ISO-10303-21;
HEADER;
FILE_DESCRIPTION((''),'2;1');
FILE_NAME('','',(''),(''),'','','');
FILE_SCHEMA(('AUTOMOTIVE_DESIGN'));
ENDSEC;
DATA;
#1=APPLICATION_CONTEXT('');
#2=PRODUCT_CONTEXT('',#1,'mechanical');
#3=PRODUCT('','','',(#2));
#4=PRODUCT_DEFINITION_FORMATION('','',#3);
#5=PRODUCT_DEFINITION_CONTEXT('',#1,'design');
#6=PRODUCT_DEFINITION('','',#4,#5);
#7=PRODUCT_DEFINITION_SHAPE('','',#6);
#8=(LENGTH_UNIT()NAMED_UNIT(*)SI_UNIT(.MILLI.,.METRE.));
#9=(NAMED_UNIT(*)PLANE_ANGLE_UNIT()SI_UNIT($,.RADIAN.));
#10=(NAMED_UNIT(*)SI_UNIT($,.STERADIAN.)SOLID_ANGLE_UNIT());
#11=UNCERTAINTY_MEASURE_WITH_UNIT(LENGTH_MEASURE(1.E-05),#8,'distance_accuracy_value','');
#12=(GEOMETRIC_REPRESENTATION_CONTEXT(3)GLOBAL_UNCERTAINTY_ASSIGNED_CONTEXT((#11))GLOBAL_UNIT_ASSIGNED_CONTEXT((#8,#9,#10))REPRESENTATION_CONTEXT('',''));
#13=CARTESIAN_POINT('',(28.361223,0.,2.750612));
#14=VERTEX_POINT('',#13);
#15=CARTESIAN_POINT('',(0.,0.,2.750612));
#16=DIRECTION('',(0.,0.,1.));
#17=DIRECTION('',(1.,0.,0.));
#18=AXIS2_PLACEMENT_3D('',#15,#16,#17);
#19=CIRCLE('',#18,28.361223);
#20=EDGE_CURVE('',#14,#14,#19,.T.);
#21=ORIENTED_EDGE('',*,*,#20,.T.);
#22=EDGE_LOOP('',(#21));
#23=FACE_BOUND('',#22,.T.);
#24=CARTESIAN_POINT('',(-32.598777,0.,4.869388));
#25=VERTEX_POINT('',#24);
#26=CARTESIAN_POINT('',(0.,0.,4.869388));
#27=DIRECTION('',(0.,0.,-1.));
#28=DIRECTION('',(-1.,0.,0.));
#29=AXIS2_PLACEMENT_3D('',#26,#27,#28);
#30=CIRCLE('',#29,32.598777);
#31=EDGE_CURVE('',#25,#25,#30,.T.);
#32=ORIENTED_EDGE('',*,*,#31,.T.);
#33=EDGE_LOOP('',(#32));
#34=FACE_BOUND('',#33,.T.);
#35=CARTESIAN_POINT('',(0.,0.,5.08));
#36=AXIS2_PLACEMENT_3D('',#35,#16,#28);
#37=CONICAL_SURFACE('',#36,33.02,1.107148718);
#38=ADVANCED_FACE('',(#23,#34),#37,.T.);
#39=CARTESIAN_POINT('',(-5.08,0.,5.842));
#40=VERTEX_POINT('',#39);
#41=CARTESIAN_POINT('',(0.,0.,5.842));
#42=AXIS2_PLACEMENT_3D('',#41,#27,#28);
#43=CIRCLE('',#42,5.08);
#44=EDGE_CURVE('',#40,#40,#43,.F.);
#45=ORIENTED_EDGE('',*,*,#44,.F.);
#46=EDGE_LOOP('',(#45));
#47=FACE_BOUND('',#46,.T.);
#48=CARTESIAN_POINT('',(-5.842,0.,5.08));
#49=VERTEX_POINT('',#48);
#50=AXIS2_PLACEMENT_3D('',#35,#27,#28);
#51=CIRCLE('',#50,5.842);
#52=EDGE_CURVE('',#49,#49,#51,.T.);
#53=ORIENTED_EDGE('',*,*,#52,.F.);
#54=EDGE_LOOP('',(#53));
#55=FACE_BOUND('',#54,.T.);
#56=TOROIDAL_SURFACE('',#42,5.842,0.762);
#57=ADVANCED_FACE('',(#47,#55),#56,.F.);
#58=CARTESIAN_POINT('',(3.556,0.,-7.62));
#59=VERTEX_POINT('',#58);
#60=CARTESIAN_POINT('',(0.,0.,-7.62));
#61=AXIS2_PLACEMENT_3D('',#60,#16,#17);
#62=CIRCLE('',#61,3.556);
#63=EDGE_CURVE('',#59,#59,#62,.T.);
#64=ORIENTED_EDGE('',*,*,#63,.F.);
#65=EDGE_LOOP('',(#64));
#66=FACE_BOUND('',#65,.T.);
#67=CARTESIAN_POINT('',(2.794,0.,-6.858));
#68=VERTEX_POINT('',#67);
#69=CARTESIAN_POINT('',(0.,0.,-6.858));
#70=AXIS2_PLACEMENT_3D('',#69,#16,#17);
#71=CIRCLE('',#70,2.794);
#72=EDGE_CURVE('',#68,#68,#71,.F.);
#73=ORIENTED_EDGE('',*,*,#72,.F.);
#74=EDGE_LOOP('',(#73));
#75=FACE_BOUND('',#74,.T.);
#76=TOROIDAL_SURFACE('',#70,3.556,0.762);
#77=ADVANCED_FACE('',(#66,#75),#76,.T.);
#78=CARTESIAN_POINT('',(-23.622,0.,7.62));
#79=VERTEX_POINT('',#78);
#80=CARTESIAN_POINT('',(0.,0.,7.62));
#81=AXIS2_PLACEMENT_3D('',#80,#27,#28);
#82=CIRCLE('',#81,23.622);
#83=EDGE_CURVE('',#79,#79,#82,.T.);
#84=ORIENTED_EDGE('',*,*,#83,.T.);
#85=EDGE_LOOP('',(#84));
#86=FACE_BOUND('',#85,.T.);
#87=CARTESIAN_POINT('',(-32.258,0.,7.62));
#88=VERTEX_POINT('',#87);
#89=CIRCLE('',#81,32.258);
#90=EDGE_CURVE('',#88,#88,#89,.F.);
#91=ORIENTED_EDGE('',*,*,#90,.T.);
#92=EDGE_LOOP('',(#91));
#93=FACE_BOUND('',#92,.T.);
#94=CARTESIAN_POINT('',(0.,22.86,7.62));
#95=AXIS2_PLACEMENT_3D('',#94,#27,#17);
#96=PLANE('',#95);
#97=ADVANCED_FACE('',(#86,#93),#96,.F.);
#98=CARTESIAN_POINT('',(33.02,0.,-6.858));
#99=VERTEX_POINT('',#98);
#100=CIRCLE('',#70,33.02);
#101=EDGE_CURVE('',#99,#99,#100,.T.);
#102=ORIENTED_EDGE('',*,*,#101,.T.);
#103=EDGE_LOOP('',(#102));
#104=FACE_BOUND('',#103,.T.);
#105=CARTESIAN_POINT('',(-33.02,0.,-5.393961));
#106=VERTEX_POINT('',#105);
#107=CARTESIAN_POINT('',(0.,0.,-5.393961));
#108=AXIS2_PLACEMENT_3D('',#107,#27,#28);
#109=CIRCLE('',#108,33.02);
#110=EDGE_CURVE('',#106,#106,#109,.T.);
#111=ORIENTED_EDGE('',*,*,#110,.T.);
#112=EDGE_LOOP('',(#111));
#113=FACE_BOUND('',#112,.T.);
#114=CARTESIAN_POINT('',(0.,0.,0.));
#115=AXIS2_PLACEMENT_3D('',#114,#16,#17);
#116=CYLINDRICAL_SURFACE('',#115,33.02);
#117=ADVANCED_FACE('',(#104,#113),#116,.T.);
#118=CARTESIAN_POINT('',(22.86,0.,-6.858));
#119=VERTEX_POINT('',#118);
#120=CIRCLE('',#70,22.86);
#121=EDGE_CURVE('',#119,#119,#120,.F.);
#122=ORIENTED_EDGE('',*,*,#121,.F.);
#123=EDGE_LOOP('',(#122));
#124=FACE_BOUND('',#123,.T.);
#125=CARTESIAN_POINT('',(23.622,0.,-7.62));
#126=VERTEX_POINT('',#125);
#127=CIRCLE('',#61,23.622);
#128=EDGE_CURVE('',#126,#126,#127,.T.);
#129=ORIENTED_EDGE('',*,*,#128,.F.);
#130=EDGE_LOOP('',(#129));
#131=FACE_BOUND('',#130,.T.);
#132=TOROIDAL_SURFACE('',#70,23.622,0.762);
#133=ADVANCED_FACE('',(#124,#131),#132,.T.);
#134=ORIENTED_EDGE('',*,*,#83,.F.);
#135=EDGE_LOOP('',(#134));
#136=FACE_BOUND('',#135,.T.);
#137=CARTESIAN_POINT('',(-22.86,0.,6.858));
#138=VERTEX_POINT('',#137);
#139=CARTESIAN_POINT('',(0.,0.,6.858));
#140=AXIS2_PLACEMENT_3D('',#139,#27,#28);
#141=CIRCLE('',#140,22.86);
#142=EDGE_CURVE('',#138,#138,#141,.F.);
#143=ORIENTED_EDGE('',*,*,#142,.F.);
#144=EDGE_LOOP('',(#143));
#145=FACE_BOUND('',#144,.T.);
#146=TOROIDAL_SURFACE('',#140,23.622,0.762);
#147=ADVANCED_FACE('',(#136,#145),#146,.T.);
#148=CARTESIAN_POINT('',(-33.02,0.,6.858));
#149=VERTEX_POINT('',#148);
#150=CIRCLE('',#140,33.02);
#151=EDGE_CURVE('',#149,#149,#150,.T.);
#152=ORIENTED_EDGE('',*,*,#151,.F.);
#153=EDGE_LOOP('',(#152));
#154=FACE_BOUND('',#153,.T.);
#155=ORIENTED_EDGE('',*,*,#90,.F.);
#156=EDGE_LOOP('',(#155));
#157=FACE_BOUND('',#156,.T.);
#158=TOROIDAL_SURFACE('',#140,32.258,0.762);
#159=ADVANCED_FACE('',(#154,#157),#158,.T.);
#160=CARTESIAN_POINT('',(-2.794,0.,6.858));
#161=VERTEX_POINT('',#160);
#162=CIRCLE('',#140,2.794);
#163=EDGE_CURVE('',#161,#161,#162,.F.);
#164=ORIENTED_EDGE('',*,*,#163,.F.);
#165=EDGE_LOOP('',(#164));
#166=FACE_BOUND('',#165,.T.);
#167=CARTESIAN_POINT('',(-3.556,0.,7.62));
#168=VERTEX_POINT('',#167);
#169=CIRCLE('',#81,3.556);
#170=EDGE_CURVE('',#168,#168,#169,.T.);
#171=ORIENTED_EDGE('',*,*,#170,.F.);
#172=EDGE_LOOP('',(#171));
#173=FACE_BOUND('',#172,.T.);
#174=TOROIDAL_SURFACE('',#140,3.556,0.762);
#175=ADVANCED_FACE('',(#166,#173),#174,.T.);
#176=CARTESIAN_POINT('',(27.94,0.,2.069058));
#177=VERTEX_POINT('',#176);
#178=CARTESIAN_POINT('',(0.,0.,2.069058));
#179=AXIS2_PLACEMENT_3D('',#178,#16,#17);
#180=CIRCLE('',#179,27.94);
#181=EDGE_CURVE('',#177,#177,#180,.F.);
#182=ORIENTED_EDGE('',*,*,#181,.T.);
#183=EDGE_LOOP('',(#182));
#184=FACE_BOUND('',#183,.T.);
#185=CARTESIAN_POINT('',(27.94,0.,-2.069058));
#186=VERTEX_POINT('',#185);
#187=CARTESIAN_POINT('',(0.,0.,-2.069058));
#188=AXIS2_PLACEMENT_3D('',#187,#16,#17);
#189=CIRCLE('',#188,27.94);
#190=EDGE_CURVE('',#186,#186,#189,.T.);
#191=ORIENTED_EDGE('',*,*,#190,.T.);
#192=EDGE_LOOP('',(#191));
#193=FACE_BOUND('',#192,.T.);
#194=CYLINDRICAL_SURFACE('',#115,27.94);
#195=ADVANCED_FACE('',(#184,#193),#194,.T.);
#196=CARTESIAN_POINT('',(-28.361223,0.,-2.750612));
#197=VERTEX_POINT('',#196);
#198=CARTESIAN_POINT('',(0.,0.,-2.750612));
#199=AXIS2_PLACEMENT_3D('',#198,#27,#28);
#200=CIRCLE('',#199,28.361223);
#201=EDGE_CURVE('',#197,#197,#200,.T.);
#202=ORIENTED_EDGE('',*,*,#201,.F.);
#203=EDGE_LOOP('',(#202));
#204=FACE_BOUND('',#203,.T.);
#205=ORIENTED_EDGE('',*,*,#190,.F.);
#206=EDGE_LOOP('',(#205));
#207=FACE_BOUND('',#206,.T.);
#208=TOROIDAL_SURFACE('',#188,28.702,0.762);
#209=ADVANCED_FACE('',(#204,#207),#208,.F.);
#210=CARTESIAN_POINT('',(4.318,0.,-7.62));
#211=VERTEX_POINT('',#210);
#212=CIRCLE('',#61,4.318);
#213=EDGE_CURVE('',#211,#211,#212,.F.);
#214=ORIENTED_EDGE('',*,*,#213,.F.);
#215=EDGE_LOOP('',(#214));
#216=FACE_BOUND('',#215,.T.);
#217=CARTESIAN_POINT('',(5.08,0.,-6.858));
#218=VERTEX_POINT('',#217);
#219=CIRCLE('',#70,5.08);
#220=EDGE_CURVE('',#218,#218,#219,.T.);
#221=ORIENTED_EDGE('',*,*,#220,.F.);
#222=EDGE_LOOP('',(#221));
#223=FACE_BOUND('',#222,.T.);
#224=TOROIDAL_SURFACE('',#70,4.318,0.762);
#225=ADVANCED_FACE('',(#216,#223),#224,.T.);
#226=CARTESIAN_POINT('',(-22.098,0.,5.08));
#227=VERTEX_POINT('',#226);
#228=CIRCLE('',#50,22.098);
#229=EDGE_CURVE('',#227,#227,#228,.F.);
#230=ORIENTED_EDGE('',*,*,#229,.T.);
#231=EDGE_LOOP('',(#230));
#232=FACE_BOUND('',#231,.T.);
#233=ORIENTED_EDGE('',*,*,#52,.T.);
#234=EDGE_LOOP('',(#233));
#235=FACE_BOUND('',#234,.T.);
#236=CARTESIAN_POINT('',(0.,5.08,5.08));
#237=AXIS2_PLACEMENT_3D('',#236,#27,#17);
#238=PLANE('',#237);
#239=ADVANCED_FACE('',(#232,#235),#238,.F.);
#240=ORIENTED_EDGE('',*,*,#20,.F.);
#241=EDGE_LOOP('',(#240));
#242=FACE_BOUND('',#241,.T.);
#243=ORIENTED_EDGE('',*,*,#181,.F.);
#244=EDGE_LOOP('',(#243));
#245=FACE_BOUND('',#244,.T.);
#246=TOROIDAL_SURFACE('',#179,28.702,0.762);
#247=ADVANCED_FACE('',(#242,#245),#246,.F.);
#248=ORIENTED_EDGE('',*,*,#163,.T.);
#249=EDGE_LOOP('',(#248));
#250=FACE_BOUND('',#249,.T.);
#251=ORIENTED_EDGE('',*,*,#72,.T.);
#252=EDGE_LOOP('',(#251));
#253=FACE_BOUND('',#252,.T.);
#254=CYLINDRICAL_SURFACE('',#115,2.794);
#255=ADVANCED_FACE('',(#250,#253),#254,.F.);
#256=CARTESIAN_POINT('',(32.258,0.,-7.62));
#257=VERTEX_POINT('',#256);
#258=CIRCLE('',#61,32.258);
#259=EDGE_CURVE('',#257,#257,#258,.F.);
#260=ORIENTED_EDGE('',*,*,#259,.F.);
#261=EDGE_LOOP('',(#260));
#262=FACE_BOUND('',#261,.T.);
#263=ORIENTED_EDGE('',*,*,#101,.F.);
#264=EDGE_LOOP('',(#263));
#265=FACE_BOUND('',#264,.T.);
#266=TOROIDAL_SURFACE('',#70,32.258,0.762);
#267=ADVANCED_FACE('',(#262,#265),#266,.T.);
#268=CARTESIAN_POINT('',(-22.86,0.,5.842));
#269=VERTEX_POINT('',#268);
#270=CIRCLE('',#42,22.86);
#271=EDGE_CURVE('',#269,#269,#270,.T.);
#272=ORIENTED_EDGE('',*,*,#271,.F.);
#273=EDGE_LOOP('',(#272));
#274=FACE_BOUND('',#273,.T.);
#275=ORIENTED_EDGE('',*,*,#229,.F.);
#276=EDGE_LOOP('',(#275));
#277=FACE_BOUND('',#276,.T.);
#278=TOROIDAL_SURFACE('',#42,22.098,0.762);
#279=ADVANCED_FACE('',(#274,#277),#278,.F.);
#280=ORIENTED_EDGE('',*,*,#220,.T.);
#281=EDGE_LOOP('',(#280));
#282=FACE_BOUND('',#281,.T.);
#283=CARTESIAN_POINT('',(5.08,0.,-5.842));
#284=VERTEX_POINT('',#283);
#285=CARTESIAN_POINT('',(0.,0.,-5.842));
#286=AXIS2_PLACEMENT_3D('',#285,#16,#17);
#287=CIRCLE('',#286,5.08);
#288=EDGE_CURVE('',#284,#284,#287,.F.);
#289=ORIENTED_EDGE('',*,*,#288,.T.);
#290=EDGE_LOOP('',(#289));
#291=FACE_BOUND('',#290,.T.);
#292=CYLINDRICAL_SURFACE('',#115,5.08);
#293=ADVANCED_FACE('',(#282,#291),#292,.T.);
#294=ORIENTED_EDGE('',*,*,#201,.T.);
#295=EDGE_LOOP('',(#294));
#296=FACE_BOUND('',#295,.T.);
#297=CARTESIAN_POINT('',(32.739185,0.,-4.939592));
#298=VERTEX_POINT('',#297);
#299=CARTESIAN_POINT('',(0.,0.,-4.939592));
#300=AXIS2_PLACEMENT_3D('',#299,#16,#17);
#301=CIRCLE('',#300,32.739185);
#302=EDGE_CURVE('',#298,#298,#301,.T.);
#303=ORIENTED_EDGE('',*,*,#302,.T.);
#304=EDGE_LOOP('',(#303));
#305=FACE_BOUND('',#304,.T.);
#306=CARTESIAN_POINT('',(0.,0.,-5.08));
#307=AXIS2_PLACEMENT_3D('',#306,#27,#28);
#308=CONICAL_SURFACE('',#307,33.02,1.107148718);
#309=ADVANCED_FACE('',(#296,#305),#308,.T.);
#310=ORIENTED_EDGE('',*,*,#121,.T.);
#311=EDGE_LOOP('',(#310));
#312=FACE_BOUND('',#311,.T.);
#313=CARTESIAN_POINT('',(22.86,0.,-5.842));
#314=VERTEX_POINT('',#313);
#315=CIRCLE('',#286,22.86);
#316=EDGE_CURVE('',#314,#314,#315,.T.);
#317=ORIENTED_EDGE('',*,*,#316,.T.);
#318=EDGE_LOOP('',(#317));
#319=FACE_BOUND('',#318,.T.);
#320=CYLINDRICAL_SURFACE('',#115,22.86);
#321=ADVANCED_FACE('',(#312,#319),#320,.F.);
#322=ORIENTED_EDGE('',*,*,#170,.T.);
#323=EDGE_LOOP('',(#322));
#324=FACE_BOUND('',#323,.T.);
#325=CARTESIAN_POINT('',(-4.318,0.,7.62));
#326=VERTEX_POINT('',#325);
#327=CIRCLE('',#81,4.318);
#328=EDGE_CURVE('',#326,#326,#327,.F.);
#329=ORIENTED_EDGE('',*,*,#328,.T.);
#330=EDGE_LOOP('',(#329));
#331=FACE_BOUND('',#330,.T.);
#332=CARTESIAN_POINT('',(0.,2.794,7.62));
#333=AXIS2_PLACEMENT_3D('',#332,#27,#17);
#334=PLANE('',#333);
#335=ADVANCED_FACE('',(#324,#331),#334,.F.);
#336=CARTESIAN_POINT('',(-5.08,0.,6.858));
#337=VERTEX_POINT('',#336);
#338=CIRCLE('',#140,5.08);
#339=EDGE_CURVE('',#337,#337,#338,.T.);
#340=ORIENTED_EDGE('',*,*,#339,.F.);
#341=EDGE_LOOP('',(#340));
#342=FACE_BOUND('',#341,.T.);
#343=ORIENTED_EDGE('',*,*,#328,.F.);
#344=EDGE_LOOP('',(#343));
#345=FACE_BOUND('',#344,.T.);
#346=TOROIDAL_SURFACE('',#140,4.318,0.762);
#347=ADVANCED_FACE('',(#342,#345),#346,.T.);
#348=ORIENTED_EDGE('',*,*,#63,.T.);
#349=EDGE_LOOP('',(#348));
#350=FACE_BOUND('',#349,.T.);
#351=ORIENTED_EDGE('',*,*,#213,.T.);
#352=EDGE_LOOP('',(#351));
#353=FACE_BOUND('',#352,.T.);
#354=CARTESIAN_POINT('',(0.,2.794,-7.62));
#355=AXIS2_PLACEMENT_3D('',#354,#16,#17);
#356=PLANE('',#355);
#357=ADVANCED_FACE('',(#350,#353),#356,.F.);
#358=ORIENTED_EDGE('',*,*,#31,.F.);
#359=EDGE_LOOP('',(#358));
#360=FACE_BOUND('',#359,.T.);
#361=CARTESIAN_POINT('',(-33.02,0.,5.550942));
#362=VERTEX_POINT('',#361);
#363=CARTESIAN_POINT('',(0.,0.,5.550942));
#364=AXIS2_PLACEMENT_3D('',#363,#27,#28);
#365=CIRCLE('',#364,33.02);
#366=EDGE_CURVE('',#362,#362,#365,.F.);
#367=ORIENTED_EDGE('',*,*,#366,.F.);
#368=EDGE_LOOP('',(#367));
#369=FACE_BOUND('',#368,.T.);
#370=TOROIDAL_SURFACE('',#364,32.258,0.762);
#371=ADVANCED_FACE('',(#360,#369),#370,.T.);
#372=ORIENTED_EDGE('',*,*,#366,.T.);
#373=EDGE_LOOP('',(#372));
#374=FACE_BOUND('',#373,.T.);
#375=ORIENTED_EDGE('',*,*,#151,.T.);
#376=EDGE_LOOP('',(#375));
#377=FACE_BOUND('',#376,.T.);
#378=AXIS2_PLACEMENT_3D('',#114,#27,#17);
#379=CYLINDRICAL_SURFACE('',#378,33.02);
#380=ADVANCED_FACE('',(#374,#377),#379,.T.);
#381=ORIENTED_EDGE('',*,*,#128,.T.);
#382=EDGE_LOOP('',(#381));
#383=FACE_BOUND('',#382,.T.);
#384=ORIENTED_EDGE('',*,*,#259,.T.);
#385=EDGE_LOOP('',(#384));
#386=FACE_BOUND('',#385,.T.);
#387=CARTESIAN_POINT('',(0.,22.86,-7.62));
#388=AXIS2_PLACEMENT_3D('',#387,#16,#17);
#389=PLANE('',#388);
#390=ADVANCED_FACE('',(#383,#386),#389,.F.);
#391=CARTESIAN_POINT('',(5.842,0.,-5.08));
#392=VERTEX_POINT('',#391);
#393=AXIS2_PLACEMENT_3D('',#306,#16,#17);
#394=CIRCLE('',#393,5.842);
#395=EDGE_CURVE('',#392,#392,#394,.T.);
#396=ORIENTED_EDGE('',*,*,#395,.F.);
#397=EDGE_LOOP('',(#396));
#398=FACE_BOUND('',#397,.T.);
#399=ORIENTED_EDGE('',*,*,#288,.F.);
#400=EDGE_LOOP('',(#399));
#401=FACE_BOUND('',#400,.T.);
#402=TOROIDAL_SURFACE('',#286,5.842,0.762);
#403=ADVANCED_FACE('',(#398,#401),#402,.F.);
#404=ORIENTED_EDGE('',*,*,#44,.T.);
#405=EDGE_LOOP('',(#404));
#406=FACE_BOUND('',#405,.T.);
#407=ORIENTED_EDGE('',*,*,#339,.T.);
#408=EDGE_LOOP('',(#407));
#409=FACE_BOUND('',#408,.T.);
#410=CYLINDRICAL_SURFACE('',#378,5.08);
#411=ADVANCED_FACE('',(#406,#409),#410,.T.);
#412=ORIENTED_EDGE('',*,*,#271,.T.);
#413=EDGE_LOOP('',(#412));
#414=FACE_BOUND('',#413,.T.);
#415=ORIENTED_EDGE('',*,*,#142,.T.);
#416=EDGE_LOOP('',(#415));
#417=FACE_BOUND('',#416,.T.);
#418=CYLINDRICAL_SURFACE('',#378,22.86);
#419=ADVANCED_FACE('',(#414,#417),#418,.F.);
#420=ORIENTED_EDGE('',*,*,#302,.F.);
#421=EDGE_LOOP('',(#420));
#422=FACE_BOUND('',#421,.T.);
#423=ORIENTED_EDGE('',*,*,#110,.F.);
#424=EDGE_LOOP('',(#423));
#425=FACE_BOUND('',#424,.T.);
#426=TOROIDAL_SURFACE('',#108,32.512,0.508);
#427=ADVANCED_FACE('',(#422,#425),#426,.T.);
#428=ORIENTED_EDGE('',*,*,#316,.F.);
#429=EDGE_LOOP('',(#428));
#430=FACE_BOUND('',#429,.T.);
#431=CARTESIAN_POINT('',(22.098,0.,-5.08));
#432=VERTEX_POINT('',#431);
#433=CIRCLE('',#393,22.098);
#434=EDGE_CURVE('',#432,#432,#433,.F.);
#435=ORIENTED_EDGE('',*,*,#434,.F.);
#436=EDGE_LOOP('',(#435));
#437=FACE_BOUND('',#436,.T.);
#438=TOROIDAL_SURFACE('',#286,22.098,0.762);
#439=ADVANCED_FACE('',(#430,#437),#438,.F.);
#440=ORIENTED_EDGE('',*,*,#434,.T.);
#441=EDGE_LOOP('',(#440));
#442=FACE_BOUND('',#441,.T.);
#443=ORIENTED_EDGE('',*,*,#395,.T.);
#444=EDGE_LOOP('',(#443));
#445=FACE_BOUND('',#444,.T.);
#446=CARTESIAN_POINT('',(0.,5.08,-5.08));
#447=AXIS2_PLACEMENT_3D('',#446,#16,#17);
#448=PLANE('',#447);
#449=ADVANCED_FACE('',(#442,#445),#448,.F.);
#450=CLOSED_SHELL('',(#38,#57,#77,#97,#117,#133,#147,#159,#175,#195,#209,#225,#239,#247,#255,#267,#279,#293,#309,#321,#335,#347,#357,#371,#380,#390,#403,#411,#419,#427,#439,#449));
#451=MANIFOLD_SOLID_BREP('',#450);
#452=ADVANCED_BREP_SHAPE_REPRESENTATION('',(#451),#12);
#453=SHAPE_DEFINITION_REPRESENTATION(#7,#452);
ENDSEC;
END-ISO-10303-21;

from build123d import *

# Parameters (mm, degrees)
FILLET17_R = 0.762
FILLET22_R = 0.508


with BuildPart() as part:
    # Sketch1 → Revolve1 (revolve)
    with BuildSketch(Plane(origin=(0, 0, 0), x_dir=(0, 0, -1), z_dir=(1, 0, 0)), mode=Mode.PRIVATE) as revolve1_sk:
        Polygon((0, 2.794), (7.62, 2.794), (7.62, 5.08), (5.08, 5.08), (5.08, 22.86), (7.62, 22.86), (7.62, 33.02), (5.08, 33.02), (2.54, 27.94), (0, 27.94), align=None)
    revolve1 = revolve(revolve1_sk.sketch.rotate(Axis((0, 0, 0), (0, 0, -1)), 90), axis=Axis((0, 0, 0), (0, 0, -1)))

    # Mirror1: Revolve1 across plane
    add(revolve1.mirror(Plane(origin=(0, 27.94, 0), x_dir=(1, 0, 0), z_dir=(0, 0, -1))))

    # Fillet17
    fillet17_edges = [part.edges().sort_by_distance(p)[0] for p in [
        (-22.86, 0, -5.08),
        (-5.08, 0, -5.08),
        (-5.08, 0, -7.62),
        (-2.794, 0, -7.62),
        (-2.794, 0, 7.62),
        (-5.08, 0, 7.62),
        (-5.08, 0, 5.08),
        (-22.86, 0, 5.08),
        (-22.86, 0, 7.62),
        (-33.02, 0, 7.62),
        (-33.02, 0, 5.08),
        (-27.94, 0, 2.54),
        (-27.94, 0, -2.54),
        (-33.02, 0, -7.62),
        (-22.86, 0, -7.62),
    ]]
    fillet(fillet17_edges, radius=FILLET17_R)

    # Fillet22
    fillet22_edges = [part.edges().sort_by_distance(p)[0] for p in [
        (-33.02, 0, -5.08),
    ]]
    fillet(fillet22_edges, radius=FILLET22_R)


solid = part.part
